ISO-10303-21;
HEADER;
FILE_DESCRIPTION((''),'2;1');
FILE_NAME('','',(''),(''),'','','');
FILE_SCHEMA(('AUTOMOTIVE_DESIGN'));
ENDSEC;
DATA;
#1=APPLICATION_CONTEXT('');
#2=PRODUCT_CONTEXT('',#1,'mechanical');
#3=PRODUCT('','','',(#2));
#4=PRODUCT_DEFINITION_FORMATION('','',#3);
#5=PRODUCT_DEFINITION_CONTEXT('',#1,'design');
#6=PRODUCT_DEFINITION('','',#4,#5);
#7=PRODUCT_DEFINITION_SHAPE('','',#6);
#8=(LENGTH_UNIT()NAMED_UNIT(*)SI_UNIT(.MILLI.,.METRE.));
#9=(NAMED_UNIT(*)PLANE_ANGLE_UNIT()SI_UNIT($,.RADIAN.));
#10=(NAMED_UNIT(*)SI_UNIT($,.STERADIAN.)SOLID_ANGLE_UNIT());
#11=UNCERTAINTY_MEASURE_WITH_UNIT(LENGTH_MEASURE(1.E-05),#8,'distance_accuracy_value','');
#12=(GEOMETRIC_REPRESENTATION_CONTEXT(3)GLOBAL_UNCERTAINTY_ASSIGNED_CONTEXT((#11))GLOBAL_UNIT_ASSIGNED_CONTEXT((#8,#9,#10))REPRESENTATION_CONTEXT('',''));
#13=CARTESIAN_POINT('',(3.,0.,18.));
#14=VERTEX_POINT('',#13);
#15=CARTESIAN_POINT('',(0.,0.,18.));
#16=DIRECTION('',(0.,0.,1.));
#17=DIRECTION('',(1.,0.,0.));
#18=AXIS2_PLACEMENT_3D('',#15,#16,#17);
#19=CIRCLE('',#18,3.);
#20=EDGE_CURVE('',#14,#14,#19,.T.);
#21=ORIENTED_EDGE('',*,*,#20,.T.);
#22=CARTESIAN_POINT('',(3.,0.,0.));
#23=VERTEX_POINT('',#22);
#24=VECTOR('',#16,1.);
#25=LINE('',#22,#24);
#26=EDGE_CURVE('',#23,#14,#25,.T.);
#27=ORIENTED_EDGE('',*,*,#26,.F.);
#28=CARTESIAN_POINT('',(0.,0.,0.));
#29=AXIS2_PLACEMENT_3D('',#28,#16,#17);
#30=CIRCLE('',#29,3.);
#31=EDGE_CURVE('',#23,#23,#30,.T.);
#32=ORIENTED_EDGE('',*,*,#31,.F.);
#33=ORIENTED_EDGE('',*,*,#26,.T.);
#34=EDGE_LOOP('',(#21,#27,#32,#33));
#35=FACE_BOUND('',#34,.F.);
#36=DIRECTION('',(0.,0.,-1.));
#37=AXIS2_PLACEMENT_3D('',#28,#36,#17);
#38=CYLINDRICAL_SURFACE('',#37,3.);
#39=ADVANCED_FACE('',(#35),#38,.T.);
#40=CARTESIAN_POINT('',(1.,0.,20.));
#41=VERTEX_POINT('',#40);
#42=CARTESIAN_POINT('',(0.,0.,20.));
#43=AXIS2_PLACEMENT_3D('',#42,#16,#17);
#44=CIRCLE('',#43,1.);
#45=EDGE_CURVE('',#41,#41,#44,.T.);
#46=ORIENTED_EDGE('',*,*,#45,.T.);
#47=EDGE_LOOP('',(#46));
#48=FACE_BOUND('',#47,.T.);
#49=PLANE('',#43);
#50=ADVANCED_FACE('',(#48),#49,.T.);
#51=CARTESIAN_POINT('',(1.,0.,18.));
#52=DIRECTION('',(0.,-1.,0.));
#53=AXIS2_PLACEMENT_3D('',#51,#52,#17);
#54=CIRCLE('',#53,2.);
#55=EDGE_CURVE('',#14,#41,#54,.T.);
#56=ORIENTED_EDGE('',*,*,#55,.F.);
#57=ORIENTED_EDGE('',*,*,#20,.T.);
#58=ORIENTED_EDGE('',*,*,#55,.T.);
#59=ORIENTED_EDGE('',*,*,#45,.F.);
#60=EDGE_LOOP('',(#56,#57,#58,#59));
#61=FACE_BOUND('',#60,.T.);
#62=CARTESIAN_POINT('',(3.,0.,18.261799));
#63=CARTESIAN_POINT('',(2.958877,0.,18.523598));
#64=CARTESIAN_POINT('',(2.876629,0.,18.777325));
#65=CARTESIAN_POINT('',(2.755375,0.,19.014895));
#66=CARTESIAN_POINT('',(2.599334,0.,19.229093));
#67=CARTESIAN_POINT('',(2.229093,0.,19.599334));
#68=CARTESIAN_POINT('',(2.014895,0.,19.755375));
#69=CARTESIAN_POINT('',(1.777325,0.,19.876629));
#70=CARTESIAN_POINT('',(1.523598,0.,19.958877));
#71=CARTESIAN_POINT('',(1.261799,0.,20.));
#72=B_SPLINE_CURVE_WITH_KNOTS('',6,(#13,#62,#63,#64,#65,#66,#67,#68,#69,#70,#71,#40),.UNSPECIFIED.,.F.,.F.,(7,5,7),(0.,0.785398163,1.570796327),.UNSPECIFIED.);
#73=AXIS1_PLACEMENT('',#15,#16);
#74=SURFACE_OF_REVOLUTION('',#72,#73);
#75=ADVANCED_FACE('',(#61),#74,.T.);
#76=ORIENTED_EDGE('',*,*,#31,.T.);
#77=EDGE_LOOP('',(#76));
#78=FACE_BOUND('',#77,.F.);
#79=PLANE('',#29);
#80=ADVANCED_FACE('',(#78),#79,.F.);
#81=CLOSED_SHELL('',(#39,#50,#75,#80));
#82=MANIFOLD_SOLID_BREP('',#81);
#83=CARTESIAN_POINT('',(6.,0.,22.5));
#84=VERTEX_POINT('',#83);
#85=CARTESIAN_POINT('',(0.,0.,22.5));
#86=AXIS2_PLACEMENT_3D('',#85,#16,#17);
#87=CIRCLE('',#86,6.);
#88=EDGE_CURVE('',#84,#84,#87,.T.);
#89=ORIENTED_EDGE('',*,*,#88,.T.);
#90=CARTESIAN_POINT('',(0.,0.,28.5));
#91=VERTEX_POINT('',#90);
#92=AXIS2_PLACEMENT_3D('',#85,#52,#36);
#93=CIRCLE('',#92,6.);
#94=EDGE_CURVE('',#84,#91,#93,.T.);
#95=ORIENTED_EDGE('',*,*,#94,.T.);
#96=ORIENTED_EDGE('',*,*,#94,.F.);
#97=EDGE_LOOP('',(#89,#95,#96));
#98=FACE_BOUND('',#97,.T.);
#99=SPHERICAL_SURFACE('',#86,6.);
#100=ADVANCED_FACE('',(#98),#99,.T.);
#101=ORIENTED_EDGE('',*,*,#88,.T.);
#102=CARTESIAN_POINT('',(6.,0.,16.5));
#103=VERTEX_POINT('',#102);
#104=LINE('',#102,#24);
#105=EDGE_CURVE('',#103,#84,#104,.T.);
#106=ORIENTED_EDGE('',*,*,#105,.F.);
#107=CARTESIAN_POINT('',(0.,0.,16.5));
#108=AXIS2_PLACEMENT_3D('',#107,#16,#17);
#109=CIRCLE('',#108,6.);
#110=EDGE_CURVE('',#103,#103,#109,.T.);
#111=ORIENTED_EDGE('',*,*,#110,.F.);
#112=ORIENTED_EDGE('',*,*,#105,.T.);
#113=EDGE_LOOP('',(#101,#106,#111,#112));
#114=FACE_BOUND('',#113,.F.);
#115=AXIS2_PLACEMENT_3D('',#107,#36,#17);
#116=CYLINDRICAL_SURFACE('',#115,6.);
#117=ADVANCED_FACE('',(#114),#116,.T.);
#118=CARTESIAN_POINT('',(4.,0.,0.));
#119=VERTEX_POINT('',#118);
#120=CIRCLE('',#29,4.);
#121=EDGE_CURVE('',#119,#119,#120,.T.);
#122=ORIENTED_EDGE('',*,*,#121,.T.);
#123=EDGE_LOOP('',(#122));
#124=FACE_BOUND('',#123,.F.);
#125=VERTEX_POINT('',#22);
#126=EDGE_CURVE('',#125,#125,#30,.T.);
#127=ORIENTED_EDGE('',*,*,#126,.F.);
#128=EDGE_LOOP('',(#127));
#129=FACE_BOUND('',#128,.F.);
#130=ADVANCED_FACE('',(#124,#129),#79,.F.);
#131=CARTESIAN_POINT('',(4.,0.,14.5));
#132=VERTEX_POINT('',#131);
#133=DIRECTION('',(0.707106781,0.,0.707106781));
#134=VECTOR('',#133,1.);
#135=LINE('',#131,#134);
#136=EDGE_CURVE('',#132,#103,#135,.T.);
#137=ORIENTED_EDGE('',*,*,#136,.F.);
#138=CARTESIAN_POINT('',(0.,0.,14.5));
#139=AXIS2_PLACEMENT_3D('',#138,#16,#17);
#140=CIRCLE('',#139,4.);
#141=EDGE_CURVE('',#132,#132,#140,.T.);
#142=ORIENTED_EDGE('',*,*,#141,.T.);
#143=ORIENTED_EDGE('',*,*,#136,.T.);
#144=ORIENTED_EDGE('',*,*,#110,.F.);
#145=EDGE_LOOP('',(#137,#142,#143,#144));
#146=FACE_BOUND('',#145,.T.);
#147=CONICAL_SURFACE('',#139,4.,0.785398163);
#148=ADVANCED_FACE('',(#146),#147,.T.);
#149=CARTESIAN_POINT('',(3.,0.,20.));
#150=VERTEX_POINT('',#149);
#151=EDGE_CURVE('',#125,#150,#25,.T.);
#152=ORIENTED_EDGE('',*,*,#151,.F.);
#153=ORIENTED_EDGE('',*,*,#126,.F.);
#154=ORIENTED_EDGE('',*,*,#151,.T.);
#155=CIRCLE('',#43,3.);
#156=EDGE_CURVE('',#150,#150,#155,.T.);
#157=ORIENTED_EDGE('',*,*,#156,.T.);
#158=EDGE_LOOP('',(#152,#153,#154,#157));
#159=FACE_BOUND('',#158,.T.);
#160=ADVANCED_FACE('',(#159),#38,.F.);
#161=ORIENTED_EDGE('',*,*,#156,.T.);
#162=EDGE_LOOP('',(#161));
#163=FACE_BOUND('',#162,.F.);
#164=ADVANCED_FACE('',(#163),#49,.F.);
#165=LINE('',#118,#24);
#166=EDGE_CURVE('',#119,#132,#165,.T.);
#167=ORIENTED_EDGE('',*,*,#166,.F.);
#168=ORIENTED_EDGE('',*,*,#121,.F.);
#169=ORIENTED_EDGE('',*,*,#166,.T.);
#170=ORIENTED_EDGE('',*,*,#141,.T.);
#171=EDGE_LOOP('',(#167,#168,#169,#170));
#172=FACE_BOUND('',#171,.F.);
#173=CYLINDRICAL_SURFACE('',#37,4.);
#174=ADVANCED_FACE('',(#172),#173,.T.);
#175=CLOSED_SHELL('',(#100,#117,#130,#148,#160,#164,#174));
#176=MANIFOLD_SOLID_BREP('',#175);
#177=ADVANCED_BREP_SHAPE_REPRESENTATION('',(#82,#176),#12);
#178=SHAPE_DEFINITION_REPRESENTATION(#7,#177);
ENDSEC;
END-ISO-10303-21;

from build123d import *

# Parameters (mm, degrees)
CYLINDER_R        = 3
CYLINDER_DEPTH    = 20
CYLINDER002_R     = 6
CYLINDER002_DEPTH = 6
CYLINDER003_R     = 4
CYLINDER003_DEPTH = 15
CYLINDER005_R     = 3
CYLINDER005_DEPTH = 20
FILLET001_R       = 2


with BuildPart() as cylinder:
    # Cylinder → Cylinder (new body)
    with BuildSketch(Plane.XY):
        Circle(CYLINDER_R)
    extrude(amount=CYLINDER_DEPTH)


with BuildPart() as cone:
    # Cone → Cone (revolve)
    with BuildSketch(Plane(origin=(0, 0, 14.5), x_dir=(1, 0, 0), z_dir=(0, -1, 0))):
        Polygon((0, 0), (4, 0), (6, 2), (0, 2), align=None)
    revolve(axis=Axis((0, 0, 14.5), (0, 0, 1)))


with BuildPart() as cylinder002:
    # Cylinder002 → Cylinder002 (new body)
    with BuildSketch(Plane.XY.offset(16.5)):
        Circle(CYLINDER002_R)
    extrude(amount=CYLINDER002_DEPTH)


with BuildPart() as sphere:
    # Sphere → Sphere (revolve)
    with BuildSketch(Plane(origin=(0, 0, 22.5), x_dir=(1, 0, 0), z_dir=(0, -1, 0))):
        with BuildLine():
            ThreePointArc((0, -6), (6, 0), (0, 6))
            Line((0, 6), (0, -6))
        make_face()
    revolve(axis=Axis((0, 0, 22.5), (0, 0, 1)))


with BuildPart() as cut:
    # Cylinder003 → Cylinder003 (new body)
    with BuildSketch(Plane.XY):
        Circle(CYLINDER003_R)
    extrude(amount=CYLINDER003_DEPTH)

    # Fusion: union Cone, Cylinder002, Sphere
    add(cone.part)
    add(cylinder002.part)
    add(sphere.part)

    # Cut: cut Cylinder
    add(cylinder.part, mode=Mode.SUBTRACT)


with BuildPart() as fillet001:
    # Cylinder005 → Cylinder005 (new body)
    with BuildSketch(Plane.XY):
        Circle(CYLINDER005_R)
    extrude(amount=CYLINDER005_DEPTH)

    # Fillet001
    fillet001_edges = [fillet001.edges().sort_by_distance(p)[0] for p in [
        (-3, 0, 20),
    ]]
    fillet(fillet001_edges, radius=FILLET001_R)


solid = Compound([cut.part, fillet001.part])
